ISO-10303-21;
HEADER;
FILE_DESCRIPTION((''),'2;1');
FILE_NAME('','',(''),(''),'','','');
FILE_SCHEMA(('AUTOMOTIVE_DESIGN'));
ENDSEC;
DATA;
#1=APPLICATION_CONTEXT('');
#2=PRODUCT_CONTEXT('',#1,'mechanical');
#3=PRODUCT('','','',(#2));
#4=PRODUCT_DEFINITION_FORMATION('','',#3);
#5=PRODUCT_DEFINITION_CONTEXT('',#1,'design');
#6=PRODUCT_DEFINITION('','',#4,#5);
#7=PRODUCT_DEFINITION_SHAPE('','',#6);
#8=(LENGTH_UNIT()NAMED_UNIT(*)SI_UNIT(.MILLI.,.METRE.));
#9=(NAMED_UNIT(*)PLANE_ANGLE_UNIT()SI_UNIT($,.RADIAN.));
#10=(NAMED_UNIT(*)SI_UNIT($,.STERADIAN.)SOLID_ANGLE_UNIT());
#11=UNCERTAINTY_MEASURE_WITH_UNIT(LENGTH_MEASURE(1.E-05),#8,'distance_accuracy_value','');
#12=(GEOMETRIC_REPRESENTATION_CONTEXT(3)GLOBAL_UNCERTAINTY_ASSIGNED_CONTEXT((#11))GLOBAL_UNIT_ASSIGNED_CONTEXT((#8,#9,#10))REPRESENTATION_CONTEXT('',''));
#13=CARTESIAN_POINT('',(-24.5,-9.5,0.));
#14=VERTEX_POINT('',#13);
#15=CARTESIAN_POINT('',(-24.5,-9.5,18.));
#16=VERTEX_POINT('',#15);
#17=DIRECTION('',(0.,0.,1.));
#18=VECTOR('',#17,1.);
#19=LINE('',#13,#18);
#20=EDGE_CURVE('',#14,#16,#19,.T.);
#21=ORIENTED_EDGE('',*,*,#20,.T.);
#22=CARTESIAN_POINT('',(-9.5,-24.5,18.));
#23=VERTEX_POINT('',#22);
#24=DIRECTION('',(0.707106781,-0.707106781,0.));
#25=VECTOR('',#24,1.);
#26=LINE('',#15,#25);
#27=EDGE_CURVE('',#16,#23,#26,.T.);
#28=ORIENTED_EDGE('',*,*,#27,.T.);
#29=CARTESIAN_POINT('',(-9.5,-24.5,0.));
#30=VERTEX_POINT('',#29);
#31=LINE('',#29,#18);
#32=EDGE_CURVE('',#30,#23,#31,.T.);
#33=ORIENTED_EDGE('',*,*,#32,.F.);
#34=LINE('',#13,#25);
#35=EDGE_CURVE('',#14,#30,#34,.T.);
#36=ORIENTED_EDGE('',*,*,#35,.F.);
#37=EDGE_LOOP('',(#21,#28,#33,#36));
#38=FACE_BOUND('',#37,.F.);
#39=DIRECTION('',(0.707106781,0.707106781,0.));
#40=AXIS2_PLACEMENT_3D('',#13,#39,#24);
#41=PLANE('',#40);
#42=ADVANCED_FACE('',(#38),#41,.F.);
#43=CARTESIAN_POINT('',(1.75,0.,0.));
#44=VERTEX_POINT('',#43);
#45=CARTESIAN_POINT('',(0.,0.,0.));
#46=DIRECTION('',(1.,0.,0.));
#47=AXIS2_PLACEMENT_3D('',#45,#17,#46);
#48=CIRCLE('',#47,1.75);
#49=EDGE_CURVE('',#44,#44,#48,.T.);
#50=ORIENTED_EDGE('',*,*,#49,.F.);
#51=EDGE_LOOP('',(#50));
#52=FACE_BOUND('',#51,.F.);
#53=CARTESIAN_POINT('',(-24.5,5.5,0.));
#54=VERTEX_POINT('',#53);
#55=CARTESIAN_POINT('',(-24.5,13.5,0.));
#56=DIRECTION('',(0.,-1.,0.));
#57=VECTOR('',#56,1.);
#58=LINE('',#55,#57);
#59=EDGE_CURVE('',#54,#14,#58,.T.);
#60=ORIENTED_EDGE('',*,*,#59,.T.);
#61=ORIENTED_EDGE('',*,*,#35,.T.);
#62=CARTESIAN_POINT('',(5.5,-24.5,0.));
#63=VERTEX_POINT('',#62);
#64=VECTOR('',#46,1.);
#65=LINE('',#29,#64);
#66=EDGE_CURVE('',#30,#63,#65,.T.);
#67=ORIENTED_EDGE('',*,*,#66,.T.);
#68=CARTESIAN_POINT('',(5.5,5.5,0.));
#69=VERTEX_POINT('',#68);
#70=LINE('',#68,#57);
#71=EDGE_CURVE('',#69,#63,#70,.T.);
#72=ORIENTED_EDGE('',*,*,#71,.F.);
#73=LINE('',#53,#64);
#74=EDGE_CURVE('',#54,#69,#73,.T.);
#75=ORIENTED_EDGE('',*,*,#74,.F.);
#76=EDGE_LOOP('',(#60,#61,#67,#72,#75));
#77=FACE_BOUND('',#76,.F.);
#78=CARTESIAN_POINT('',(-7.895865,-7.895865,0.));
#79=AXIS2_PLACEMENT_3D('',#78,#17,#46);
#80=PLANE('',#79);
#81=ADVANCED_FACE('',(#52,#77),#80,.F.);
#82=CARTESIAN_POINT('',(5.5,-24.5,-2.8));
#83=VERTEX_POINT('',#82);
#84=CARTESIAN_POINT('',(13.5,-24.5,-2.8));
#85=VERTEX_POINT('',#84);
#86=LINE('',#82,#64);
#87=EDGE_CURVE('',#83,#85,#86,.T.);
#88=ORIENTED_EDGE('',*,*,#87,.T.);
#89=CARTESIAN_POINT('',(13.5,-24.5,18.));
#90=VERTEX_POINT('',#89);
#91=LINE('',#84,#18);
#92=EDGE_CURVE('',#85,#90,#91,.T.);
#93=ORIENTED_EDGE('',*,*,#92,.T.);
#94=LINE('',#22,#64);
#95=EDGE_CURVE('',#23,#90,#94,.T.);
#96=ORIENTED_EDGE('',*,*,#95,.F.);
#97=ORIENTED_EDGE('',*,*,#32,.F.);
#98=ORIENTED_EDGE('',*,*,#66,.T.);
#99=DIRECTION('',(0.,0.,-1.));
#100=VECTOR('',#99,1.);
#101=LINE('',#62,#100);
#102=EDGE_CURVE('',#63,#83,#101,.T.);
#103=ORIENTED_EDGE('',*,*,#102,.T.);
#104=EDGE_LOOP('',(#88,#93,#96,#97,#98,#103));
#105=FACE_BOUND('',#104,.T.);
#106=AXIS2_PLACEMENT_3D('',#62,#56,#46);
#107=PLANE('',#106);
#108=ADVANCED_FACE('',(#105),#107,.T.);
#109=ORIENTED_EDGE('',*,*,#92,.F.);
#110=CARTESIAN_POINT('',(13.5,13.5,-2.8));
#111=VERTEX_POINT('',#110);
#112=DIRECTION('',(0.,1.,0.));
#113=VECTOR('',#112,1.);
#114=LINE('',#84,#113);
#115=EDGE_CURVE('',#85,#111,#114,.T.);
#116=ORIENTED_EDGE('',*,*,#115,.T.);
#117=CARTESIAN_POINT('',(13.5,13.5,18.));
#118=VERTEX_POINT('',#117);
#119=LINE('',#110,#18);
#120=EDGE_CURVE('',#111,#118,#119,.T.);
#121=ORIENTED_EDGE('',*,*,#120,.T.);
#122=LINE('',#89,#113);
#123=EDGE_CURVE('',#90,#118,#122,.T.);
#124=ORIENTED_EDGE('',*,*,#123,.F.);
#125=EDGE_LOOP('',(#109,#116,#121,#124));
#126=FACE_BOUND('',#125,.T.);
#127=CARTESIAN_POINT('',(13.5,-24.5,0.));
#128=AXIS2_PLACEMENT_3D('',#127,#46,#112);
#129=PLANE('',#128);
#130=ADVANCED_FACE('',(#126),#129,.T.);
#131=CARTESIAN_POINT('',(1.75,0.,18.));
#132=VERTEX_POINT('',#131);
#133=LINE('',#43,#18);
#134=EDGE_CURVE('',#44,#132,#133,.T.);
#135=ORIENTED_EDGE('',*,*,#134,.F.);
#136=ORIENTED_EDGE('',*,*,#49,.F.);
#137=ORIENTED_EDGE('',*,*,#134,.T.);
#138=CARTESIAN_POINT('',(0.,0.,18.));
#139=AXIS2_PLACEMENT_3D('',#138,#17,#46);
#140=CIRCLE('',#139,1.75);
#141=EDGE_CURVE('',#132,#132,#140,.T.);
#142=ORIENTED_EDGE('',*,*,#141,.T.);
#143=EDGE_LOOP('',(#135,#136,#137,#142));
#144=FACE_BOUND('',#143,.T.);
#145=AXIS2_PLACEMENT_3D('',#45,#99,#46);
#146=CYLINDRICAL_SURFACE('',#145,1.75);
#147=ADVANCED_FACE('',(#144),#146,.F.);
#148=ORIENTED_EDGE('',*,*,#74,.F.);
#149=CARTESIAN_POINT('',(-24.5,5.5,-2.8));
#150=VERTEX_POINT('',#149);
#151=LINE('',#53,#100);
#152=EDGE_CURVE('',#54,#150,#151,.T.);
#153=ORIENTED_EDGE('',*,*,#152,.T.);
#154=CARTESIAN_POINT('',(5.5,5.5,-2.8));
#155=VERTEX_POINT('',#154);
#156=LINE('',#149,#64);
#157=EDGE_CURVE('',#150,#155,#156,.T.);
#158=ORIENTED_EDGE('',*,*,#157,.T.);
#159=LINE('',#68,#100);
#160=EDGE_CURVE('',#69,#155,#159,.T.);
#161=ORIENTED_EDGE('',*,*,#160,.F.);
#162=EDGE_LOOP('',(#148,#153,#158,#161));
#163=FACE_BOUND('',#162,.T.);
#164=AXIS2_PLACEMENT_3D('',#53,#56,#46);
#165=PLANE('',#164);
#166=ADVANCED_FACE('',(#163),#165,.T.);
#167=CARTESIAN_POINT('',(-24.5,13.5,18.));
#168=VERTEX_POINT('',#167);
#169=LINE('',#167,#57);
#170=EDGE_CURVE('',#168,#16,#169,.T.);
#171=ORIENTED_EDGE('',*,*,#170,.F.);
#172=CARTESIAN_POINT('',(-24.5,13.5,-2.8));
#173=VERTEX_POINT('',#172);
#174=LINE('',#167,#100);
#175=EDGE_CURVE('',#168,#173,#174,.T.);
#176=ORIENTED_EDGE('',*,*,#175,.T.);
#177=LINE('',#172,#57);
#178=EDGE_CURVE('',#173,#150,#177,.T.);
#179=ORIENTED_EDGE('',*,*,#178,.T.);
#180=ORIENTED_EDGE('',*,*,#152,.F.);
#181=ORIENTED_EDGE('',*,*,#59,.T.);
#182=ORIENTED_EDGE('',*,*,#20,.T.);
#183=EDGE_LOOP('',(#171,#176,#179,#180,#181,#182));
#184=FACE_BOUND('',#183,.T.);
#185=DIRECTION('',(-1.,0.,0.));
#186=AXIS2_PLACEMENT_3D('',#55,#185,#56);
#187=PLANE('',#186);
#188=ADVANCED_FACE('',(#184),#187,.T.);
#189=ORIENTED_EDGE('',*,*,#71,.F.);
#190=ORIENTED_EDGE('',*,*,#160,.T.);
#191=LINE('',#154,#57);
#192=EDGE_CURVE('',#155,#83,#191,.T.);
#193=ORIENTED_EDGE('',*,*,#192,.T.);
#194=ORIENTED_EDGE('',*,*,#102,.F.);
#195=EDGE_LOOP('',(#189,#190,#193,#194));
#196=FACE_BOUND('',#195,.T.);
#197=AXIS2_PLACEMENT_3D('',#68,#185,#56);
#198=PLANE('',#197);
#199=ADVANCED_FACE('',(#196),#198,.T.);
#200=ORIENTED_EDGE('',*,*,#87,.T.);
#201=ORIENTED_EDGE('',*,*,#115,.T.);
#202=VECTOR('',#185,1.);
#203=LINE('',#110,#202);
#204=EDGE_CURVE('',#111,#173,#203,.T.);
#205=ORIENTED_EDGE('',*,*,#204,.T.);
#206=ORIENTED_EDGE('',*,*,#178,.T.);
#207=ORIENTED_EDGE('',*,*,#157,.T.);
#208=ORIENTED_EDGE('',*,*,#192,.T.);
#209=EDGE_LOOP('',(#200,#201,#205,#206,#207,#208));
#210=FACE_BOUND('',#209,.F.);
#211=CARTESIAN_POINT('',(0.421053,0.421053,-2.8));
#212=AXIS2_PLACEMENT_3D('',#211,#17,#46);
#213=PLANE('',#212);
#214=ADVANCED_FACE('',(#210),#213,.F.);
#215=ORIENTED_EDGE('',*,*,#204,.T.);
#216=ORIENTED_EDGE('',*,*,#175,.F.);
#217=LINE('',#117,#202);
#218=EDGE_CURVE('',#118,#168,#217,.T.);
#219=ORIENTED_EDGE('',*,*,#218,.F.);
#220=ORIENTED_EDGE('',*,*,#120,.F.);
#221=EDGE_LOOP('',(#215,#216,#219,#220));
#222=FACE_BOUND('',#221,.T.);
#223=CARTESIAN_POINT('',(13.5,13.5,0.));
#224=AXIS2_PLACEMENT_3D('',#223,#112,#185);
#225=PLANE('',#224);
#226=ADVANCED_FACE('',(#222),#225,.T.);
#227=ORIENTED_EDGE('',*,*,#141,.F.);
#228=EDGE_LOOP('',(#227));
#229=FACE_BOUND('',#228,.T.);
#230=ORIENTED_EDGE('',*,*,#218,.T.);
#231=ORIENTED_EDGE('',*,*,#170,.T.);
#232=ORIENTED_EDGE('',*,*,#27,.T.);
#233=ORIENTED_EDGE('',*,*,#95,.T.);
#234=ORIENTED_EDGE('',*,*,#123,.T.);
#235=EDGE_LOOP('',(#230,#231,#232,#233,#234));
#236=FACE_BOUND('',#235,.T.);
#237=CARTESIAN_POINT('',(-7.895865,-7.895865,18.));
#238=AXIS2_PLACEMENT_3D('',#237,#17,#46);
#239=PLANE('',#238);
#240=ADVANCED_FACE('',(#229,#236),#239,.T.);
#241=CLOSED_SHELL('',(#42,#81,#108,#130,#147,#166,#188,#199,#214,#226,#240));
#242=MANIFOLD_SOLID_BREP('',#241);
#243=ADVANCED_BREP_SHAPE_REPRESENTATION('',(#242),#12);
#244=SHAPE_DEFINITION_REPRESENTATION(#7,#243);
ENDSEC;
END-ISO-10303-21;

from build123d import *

# Parameters (mm, degrees)
F0_R     = 1.75
F1_DEPTH = 18
F2_DEPTH = 2.8


with BuildPart() as f1:
    # F0 (on Top) → F1 (new body)
    with BuildSketch(Plane.XY):
        Polygon((5.5, -24.5), (5.5, 0), (5.5, 5.5), (0, 5.5), (-24.5, 5.5), (-24.5, -9.5), (-9.5, -24.5), align=None)
        Circle(F0_R, mode=Mode.SUBTRACT)
        Polygon((5.5, 5.5), (5.5, 0), (5.5, -24.5), (13.5, -24.5), (13.5, 0), (13.5, 13.5), (0, 13.5), (-24.5, 13.5), (-24.5, 5.5), (0, 5.5), align=None)
    extrude(amount=F1_DEPTH)

    # F0 (on Top) → F2 (join)
    with BuildSketch(Plane.XY):
        Polygon((5.5, 5.5), (5.5, 0), (5.5, -24.5), (13.5, -24.5), (13.5, 0), (13.5, 13.5), (0, 13.5), (-24.5, 13.5), (-24.5, 5.5), (0, 5.5), align=None)
    extrude(amount=-F2_DEPTH)


solid = f1.part
